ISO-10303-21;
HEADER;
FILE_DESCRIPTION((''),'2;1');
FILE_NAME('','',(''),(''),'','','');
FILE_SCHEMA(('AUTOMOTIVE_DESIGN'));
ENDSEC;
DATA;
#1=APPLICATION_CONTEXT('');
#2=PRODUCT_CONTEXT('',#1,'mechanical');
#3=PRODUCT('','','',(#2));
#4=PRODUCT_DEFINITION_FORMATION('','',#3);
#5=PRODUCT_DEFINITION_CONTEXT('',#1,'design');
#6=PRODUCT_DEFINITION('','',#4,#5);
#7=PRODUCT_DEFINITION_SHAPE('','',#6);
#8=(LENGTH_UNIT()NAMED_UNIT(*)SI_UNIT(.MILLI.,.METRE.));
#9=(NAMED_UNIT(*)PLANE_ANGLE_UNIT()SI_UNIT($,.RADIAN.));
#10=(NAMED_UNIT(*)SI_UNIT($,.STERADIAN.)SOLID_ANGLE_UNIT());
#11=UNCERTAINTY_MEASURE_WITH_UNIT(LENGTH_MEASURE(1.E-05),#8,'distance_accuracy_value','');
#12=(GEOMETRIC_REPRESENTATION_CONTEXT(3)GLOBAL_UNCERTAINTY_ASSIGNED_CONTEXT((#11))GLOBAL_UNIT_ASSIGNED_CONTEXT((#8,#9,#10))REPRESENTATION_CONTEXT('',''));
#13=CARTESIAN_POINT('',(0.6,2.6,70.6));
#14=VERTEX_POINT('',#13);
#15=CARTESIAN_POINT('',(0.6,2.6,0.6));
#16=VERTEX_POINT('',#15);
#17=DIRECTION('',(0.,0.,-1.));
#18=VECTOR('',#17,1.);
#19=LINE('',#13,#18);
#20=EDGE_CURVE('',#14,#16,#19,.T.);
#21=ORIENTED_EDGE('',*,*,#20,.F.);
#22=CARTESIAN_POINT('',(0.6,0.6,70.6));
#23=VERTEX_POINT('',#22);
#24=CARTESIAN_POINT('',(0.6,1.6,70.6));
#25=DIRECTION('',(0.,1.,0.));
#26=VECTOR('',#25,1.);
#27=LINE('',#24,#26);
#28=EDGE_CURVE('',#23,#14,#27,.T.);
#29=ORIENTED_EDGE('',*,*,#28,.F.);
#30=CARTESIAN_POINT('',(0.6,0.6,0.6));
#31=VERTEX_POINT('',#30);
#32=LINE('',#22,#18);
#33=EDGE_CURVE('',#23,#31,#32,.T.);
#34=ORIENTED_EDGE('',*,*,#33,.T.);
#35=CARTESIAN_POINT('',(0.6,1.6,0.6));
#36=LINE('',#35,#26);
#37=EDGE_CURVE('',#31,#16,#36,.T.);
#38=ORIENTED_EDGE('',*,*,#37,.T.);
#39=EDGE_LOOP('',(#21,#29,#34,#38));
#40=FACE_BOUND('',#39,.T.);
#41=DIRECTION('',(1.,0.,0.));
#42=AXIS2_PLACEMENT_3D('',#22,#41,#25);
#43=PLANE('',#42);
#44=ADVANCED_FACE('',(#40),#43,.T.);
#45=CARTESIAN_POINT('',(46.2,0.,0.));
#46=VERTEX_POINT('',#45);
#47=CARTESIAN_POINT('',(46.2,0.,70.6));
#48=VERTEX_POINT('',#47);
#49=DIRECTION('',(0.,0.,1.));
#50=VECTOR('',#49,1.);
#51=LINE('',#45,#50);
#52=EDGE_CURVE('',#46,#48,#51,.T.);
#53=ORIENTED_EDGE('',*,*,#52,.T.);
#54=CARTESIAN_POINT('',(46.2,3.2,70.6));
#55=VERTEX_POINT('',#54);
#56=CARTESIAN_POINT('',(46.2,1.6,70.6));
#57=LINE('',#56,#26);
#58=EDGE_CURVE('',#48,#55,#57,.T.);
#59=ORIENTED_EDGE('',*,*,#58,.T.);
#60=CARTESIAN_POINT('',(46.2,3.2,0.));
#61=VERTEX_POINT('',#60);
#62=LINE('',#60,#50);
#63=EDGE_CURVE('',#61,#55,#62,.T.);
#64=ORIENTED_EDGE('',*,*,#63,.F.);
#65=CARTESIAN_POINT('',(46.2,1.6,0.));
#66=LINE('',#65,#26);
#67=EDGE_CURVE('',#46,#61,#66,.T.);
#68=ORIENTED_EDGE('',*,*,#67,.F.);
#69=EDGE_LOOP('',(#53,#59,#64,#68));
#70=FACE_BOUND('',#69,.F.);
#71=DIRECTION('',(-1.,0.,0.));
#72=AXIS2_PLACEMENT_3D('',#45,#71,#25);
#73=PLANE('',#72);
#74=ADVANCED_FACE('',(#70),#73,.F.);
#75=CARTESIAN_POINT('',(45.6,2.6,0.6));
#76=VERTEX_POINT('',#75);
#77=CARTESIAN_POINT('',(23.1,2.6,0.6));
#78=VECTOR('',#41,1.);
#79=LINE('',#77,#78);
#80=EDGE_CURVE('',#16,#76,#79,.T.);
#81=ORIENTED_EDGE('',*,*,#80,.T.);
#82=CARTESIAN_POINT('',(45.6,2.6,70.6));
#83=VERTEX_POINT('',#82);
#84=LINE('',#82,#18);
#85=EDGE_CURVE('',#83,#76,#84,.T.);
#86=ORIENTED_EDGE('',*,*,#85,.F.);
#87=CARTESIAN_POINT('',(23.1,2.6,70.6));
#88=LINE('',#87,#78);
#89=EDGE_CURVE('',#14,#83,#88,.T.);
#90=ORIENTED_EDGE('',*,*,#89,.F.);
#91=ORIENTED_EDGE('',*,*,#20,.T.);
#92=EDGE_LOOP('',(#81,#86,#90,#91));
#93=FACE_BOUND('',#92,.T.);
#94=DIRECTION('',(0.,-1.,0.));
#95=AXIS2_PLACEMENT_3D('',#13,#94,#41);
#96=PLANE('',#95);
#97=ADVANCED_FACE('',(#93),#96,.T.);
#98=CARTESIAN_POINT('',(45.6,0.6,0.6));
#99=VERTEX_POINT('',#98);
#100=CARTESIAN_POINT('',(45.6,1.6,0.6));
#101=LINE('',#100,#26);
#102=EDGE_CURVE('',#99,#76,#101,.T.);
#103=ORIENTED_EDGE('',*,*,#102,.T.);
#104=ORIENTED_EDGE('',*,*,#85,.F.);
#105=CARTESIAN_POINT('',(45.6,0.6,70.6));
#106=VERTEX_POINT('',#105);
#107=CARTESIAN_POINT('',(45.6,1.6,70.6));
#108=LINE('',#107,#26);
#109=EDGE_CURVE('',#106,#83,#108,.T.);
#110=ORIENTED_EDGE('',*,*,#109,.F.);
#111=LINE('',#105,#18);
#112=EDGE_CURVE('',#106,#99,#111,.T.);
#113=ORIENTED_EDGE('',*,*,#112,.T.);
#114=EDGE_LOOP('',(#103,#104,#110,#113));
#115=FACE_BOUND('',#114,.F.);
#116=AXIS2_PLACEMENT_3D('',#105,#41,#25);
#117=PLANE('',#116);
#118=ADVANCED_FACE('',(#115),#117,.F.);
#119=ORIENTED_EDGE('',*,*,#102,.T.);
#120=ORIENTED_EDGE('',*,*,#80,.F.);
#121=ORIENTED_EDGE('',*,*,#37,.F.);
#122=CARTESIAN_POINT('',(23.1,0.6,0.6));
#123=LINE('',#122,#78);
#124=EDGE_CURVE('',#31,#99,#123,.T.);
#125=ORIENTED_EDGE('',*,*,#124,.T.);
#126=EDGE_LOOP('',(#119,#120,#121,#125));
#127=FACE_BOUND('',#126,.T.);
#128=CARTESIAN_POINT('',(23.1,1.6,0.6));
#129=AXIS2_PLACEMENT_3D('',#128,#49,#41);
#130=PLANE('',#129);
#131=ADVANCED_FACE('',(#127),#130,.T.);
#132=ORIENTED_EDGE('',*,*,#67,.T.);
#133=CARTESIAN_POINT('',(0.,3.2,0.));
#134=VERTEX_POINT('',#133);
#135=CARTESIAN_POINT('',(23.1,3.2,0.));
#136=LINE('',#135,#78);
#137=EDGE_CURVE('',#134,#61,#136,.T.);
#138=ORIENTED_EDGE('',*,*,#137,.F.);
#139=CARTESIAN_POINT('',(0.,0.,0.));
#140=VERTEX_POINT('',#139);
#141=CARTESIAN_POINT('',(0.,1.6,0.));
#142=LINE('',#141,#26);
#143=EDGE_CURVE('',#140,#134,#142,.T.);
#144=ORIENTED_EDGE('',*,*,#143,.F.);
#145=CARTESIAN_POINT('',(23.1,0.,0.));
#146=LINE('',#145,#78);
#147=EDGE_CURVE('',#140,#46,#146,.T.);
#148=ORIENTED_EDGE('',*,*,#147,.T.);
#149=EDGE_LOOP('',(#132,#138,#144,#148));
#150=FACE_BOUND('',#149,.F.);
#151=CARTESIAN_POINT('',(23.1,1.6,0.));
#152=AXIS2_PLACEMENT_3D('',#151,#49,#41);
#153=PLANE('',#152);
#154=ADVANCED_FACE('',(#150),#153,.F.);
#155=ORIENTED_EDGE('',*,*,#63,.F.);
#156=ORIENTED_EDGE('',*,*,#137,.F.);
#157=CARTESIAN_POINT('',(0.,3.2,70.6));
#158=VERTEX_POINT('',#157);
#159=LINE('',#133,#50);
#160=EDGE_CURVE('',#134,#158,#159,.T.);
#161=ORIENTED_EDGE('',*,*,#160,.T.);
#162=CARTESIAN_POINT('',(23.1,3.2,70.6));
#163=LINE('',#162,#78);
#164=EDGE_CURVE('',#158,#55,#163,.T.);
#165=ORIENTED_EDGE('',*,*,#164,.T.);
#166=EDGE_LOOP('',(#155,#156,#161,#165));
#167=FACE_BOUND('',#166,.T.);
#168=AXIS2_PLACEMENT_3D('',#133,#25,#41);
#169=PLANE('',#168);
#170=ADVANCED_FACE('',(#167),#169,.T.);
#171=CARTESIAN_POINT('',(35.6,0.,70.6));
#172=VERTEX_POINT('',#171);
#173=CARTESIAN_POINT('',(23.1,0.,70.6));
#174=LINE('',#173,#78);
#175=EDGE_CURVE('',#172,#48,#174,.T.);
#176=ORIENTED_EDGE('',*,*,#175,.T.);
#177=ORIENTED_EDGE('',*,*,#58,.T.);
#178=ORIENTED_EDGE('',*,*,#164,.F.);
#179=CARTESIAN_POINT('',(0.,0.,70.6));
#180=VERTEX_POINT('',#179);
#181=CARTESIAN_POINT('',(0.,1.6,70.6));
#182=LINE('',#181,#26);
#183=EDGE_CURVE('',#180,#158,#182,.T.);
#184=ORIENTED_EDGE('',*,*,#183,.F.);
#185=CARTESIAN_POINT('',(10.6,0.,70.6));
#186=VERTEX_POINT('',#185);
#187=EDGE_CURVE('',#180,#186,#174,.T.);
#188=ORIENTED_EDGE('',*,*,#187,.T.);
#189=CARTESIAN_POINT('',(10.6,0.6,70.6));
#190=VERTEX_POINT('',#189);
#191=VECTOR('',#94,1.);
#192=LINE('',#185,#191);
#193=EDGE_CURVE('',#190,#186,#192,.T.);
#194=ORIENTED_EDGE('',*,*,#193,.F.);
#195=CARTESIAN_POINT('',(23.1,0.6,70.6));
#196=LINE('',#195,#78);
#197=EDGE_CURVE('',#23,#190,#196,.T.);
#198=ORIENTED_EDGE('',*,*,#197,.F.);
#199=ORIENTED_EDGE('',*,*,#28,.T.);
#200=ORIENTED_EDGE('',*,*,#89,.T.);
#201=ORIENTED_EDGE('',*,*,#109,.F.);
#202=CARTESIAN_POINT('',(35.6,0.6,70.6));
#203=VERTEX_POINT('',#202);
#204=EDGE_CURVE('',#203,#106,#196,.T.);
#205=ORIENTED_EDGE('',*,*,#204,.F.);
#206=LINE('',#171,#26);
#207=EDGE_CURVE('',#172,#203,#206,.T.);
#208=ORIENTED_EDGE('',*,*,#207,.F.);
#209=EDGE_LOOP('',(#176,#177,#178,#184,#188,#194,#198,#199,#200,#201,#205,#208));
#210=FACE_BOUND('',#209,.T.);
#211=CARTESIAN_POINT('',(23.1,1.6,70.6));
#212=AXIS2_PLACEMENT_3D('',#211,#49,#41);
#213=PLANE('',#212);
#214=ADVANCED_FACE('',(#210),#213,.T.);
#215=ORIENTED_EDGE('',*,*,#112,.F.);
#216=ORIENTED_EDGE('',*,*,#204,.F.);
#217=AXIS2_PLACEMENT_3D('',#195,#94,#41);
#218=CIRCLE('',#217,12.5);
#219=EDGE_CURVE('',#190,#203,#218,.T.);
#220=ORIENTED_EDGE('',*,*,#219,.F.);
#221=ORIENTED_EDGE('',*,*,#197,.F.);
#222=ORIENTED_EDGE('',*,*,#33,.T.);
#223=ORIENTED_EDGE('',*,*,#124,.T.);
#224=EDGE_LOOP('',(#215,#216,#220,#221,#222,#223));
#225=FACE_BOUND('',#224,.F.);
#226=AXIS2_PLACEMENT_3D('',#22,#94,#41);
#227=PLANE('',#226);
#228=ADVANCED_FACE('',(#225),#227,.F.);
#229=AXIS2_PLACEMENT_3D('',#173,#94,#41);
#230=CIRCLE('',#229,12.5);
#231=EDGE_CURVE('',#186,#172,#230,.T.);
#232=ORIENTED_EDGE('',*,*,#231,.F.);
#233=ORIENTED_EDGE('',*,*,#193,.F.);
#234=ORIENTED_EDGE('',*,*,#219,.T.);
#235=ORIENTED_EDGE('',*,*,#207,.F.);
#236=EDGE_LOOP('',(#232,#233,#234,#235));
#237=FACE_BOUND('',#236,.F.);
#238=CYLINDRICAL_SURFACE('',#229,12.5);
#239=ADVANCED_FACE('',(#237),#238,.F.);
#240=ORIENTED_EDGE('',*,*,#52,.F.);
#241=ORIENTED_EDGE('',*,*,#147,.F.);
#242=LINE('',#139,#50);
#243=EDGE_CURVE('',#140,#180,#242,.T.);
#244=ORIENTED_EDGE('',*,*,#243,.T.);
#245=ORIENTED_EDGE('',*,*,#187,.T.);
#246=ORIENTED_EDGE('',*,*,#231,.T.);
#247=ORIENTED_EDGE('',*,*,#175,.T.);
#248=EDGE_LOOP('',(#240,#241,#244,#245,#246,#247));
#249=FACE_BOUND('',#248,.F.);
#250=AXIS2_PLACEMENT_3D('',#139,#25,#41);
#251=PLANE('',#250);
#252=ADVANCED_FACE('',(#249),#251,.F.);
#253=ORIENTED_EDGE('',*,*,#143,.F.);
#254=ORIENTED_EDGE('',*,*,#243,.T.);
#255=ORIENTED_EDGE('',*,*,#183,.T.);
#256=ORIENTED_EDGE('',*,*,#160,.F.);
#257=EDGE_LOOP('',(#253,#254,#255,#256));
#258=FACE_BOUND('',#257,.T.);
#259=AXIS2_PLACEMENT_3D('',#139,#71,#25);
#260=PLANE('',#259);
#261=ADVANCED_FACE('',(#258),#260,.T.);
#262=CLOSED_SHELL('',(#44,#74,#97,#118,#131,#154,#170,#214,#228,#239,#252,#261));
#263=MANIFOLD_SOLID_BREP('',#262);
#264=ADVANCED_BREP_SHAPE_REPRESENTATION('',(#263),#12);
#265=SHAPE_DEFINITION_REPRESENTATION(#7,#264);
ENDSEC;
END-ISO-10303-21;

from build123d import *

# Parameters (mm, degrees)
SKETCH_W        = 46.2
SKETCH_H        = 3.2
PAD_DEPTH       = 70.6
SKETCH001_W     = 45
SKETCH001_H     = 2
POCKET_DEPTH    = 70
SKETCH002_R     = 12.5
POCKET001_DEPTH = 0.6


with BuildPart() as part:
    # Sketch → Pad (new body)
    with BuildSketch(Plane.XY):
        with Locations((23.1, 1.6)):
            Rectangle(SKETCH_W, SKETCH_H)
    extrude(amount=PAD_DEPTH)

    # Sketch001 (on Face6 of Pad) → Pocket (cut)
    with BuildSketch(Plane.XY.offset(70.6)):
        with Locations((23.1, 1.6)):
            Rectangle(SKETCH001_W, SKETCH001_H)
    extrude(amount=-POCKET_DEPTH, mode=Mode.SUBTRACT)

    # Sketch002 (on Face6 of Pocket) → Pocket001 (cut)
    with BuildSketch(Plane.XZ):
        with Locations((23.1, 70.6)):
            Circle(SKETCH002_R)
    extrude(amount=-POCKET001_DEPTH, mode=Mode.SUBTRACT)


solid = part.part
